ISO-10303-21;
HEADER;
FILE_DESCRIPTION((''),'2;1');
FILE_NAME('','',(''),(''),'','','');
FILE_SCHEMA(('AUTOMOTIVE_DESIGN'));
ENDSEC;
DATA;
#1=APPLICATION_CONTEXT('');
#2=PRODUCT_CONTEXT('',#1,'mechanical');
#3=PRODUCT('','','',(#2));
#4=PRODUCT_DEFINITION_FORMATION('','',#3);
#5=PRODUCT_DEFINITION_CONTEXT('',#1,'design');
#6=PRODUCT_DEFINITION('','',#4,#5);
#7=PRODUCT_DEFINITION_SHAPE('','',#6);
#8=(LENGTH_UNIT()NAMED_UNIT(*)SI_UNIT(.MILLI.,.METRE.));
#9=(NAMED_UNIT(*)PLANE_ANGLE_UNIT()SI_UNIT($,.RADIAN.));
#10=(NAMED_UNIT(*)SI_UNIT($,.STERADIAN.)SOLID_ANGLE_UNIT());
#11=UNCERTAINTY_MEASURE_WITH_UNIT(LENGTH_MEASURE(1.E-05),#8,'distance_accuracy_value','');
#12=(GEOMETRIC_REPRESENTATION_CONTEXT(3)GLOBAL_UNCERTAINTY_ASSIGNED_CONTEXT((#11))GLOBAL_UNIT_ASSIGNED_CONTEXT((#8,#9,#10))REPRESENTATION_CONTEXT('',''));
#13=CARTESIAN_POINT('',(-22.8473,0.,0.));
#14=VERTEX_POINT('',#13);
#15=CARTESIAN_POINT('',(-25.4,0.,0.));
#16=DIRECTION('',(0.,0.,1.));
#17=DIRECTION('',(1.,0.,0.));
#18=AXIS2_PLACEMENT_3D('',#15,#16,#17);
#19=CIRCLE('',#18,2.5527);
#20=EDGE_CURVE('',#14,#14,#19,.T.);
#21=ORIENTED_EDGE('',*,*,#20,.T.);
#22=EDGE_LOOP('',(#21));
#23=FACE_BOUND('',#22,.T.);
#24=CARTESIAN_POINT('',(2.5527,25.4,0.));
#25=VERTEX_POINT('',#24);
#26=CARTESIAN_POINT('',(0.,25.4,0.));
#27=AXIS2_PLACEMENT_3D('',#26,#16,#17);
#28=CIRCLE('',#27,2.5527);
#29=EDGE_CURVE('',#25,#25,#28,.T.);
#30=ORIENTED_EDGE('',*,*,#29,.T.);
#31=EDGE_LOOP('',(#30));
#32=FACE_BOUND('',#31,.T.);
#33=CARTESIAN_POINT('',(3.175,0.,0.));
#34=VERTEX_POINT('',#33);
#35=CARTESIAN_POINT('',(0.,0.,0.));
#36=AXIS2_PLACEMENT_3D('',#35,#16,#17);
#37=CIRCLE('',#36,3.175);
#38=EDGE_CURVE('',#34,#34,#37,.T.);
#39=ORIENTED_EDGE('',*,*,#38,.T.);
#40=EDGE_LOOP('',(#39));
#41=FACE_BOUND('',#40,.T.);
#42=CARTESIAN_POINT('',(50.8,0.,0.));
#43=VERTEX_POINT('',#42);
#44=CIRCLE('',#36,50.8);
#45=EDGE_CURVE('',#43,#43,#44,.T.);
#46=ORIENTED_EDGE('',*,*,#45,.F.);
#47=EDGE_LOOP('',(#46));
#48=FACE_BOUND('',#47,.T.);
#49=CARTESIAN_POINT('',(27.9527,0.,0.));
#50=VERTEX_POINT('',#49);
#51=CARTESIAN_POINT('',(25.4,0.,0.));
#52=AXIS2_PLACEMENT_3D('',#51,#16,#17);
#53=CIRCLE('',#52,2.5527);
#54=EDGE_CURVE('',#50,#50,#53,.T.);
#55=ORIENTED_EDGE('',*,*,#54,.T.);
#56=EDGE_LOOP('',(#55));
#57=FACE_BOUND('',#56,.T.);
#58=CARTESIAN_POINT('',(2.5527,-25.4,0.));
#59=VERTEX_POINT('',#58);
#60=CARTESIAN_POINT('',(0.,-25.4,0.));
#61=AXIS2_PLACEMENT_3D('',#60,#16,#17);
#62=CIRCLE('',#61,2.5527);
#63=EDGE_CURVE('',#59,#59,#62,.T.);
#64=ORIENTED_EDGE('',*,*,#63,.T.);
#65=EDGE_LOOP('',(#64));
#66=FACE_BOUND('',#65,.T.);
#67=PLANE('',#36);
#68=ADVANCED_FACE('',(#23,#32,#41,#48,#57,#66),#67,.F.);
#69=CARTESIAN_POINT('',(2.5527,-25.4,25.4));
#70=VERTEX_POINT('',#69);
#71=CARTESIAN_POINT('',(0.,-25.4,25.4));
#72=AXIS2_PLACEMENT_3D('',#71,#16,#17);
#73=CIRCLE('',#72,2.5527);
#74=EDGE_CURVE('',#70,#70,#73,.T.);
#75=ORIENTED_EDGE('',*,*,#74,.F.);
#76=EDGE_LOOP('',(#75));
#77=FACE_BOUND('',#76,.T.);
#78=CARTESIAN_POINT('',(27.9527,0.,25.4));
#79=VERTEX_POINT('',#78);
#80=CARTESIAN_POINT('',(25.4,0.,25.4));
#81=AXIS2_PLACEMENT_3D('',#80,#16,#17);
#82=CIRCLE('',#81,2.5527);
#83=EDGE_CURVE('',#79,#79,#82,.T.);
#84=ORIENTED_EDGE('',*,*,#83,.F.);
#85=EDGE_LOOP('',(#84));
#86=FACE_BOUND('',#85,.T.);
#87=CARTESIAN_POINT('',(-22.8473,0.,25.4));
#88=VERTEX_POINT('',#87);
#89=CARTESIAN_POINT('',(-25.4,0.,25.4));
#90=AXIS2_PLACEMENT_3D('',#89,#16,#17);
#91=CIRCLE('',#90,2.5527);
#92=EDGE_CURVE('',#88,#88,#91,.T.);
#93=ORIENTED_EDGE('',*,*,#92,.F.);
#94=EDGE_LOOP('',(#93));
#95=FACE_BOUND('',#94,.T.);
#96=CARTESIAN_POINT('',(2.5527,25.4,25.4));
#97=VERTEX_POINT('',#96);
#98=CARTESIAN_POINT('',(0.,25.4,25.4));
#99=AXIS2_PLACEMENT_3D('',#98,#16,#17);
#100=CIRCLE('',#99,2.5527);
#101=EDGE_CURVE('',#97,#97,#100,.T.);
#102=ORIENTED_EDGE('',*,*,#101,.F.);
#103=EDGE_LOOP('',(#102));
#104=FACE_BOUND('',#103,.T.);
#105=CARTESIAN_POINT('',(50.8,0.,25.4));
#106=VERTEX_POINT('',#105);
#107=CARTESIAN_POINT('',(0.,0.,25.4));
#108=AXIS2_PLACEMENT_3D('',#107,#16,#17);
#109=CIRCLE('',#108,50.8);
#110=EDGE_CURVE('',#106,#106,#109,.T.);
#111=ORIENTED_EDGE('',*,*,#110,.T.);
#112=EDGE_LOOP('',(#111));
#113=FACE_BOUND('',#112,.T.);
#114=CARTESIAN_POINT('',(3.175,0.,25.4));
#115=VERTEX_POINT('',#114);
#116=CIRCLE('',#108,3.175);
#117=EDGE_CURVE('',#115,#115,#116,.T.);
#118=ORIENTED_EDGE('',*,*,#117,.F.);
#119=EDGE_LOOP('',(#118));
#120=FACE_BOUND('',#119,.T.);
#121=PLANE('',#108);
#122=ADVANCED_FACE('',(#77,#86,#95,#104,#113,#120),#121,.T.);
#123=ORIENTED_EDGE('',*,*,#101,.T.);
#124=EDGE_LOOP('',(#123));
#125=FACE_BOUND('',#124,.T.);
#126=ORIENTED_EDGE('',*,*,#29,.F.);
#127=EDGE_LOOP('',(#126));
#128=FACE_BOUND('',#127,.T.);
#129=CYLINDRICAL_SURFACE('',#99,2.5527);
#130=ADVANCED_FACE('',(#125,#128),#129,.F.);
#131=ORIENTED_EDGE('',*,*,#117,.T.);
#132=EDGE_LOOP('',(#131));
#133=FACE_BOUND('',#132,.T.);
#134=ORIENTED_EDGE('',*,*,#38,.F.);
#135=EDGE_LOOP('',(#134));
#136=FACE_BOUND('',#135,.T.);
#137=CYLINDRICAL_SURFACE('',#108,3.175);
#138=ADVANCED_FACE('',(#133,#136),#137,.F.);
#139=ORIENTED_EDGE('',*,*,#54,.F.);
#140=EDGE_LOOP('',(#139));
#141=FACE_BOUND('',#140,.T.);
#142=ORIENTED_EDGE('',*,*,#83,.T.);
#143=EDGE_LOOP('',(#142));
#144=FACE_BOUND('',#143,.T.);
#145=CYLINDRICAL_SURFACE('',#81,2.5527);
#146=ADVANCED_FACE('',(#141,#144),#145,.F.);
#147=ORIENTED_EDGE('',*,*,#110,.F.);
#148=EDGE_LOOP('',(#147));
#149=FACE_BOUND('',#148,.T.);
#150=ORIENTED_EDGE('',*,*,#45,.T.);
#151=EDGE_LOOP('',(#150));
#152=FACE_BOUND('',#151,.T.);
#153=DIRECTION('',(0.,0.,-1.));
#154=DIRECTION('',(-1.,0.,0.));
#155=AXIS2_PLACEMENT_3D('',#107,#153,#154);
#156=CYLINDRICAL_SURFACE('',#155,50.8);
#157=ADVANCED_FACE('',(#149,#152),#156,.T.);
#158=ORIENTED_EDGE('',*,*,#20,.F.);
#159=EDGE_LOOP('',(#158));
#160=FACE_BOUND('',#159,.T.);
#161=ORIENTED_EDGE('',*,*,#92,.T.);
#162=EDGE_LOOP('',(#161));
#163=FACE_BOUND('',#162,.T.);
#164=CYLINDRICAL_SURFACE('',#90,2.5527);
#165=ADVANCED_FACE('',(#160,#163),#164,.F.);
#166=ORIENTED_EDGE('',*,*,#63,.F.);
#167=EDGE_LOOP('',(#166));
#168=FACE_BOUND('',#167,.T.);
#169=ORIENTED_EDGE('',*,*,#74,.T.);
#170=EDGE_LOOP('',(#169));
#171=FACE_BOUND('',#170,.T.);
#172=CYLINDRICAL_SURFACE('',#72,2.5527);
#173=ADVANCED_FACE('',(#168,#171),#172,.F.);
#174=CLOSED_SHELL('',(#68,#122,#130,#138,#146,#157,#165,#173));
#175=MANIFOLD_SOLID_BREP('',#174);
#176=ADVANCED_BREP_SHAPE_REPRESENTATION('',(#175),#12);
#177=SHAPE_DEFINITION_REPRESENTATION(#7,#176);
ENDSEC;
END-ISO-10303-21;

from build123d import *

# Parameters (mm, degrees)
SKETCH1_R                   = 50.8
EXTRUDE1_DEPTH              = 25.4
F_1_4_0_25_DIAMETER_HOLE1_D = 6.35
F_1_4_20_TAPPED_HOLE1_D     = 5.1054
CIRPATTERN1_COUNT           = 4


with BuildPart() as part:
    # Sketch1 → Extrude1 (new body)
    with BuildSketch(Plane.XY):
        Circle(SKETCH1_R)
    extrude(amount=EXTRUDE1_DEPTH)

    # 1/4 (0.25) Diameter Hole1 (through all)
    with Locations(Plane.XY.offset(25.4)):
        with Locations((0, 0)):
            Hole(F_1_4_0_25_DIAMETER_HOLE1_D / 2)

    # 1/4-20 Tapped Hole1 (through all)
    with Locations(Plane(origin=(25.4, 0, 25.4), x_dir=(1, 0, 0), z_dir=(0, 0, 1))):
        with Locations((0, 0)):
            f_1_4_20_tapped_hole1 = Hole(F_1_4_20_TAPPED_HOLE1_D / 2)

    # CirPattern1: 1/4-20 Tapped Hole1 ×4 about axis
    cirpattern1_axis = Axis((0, 0, 0), (0, 0, 1))
    for i in range(1, CIRPATTERN1_COUNT):
        add(f_1_4_20_tapped_hole1.rotate(cirpattern1_axis, i * 360 / CIRPATTERN1_COUNT), mode=Mode.SUBTRACT)


solid = part.part
